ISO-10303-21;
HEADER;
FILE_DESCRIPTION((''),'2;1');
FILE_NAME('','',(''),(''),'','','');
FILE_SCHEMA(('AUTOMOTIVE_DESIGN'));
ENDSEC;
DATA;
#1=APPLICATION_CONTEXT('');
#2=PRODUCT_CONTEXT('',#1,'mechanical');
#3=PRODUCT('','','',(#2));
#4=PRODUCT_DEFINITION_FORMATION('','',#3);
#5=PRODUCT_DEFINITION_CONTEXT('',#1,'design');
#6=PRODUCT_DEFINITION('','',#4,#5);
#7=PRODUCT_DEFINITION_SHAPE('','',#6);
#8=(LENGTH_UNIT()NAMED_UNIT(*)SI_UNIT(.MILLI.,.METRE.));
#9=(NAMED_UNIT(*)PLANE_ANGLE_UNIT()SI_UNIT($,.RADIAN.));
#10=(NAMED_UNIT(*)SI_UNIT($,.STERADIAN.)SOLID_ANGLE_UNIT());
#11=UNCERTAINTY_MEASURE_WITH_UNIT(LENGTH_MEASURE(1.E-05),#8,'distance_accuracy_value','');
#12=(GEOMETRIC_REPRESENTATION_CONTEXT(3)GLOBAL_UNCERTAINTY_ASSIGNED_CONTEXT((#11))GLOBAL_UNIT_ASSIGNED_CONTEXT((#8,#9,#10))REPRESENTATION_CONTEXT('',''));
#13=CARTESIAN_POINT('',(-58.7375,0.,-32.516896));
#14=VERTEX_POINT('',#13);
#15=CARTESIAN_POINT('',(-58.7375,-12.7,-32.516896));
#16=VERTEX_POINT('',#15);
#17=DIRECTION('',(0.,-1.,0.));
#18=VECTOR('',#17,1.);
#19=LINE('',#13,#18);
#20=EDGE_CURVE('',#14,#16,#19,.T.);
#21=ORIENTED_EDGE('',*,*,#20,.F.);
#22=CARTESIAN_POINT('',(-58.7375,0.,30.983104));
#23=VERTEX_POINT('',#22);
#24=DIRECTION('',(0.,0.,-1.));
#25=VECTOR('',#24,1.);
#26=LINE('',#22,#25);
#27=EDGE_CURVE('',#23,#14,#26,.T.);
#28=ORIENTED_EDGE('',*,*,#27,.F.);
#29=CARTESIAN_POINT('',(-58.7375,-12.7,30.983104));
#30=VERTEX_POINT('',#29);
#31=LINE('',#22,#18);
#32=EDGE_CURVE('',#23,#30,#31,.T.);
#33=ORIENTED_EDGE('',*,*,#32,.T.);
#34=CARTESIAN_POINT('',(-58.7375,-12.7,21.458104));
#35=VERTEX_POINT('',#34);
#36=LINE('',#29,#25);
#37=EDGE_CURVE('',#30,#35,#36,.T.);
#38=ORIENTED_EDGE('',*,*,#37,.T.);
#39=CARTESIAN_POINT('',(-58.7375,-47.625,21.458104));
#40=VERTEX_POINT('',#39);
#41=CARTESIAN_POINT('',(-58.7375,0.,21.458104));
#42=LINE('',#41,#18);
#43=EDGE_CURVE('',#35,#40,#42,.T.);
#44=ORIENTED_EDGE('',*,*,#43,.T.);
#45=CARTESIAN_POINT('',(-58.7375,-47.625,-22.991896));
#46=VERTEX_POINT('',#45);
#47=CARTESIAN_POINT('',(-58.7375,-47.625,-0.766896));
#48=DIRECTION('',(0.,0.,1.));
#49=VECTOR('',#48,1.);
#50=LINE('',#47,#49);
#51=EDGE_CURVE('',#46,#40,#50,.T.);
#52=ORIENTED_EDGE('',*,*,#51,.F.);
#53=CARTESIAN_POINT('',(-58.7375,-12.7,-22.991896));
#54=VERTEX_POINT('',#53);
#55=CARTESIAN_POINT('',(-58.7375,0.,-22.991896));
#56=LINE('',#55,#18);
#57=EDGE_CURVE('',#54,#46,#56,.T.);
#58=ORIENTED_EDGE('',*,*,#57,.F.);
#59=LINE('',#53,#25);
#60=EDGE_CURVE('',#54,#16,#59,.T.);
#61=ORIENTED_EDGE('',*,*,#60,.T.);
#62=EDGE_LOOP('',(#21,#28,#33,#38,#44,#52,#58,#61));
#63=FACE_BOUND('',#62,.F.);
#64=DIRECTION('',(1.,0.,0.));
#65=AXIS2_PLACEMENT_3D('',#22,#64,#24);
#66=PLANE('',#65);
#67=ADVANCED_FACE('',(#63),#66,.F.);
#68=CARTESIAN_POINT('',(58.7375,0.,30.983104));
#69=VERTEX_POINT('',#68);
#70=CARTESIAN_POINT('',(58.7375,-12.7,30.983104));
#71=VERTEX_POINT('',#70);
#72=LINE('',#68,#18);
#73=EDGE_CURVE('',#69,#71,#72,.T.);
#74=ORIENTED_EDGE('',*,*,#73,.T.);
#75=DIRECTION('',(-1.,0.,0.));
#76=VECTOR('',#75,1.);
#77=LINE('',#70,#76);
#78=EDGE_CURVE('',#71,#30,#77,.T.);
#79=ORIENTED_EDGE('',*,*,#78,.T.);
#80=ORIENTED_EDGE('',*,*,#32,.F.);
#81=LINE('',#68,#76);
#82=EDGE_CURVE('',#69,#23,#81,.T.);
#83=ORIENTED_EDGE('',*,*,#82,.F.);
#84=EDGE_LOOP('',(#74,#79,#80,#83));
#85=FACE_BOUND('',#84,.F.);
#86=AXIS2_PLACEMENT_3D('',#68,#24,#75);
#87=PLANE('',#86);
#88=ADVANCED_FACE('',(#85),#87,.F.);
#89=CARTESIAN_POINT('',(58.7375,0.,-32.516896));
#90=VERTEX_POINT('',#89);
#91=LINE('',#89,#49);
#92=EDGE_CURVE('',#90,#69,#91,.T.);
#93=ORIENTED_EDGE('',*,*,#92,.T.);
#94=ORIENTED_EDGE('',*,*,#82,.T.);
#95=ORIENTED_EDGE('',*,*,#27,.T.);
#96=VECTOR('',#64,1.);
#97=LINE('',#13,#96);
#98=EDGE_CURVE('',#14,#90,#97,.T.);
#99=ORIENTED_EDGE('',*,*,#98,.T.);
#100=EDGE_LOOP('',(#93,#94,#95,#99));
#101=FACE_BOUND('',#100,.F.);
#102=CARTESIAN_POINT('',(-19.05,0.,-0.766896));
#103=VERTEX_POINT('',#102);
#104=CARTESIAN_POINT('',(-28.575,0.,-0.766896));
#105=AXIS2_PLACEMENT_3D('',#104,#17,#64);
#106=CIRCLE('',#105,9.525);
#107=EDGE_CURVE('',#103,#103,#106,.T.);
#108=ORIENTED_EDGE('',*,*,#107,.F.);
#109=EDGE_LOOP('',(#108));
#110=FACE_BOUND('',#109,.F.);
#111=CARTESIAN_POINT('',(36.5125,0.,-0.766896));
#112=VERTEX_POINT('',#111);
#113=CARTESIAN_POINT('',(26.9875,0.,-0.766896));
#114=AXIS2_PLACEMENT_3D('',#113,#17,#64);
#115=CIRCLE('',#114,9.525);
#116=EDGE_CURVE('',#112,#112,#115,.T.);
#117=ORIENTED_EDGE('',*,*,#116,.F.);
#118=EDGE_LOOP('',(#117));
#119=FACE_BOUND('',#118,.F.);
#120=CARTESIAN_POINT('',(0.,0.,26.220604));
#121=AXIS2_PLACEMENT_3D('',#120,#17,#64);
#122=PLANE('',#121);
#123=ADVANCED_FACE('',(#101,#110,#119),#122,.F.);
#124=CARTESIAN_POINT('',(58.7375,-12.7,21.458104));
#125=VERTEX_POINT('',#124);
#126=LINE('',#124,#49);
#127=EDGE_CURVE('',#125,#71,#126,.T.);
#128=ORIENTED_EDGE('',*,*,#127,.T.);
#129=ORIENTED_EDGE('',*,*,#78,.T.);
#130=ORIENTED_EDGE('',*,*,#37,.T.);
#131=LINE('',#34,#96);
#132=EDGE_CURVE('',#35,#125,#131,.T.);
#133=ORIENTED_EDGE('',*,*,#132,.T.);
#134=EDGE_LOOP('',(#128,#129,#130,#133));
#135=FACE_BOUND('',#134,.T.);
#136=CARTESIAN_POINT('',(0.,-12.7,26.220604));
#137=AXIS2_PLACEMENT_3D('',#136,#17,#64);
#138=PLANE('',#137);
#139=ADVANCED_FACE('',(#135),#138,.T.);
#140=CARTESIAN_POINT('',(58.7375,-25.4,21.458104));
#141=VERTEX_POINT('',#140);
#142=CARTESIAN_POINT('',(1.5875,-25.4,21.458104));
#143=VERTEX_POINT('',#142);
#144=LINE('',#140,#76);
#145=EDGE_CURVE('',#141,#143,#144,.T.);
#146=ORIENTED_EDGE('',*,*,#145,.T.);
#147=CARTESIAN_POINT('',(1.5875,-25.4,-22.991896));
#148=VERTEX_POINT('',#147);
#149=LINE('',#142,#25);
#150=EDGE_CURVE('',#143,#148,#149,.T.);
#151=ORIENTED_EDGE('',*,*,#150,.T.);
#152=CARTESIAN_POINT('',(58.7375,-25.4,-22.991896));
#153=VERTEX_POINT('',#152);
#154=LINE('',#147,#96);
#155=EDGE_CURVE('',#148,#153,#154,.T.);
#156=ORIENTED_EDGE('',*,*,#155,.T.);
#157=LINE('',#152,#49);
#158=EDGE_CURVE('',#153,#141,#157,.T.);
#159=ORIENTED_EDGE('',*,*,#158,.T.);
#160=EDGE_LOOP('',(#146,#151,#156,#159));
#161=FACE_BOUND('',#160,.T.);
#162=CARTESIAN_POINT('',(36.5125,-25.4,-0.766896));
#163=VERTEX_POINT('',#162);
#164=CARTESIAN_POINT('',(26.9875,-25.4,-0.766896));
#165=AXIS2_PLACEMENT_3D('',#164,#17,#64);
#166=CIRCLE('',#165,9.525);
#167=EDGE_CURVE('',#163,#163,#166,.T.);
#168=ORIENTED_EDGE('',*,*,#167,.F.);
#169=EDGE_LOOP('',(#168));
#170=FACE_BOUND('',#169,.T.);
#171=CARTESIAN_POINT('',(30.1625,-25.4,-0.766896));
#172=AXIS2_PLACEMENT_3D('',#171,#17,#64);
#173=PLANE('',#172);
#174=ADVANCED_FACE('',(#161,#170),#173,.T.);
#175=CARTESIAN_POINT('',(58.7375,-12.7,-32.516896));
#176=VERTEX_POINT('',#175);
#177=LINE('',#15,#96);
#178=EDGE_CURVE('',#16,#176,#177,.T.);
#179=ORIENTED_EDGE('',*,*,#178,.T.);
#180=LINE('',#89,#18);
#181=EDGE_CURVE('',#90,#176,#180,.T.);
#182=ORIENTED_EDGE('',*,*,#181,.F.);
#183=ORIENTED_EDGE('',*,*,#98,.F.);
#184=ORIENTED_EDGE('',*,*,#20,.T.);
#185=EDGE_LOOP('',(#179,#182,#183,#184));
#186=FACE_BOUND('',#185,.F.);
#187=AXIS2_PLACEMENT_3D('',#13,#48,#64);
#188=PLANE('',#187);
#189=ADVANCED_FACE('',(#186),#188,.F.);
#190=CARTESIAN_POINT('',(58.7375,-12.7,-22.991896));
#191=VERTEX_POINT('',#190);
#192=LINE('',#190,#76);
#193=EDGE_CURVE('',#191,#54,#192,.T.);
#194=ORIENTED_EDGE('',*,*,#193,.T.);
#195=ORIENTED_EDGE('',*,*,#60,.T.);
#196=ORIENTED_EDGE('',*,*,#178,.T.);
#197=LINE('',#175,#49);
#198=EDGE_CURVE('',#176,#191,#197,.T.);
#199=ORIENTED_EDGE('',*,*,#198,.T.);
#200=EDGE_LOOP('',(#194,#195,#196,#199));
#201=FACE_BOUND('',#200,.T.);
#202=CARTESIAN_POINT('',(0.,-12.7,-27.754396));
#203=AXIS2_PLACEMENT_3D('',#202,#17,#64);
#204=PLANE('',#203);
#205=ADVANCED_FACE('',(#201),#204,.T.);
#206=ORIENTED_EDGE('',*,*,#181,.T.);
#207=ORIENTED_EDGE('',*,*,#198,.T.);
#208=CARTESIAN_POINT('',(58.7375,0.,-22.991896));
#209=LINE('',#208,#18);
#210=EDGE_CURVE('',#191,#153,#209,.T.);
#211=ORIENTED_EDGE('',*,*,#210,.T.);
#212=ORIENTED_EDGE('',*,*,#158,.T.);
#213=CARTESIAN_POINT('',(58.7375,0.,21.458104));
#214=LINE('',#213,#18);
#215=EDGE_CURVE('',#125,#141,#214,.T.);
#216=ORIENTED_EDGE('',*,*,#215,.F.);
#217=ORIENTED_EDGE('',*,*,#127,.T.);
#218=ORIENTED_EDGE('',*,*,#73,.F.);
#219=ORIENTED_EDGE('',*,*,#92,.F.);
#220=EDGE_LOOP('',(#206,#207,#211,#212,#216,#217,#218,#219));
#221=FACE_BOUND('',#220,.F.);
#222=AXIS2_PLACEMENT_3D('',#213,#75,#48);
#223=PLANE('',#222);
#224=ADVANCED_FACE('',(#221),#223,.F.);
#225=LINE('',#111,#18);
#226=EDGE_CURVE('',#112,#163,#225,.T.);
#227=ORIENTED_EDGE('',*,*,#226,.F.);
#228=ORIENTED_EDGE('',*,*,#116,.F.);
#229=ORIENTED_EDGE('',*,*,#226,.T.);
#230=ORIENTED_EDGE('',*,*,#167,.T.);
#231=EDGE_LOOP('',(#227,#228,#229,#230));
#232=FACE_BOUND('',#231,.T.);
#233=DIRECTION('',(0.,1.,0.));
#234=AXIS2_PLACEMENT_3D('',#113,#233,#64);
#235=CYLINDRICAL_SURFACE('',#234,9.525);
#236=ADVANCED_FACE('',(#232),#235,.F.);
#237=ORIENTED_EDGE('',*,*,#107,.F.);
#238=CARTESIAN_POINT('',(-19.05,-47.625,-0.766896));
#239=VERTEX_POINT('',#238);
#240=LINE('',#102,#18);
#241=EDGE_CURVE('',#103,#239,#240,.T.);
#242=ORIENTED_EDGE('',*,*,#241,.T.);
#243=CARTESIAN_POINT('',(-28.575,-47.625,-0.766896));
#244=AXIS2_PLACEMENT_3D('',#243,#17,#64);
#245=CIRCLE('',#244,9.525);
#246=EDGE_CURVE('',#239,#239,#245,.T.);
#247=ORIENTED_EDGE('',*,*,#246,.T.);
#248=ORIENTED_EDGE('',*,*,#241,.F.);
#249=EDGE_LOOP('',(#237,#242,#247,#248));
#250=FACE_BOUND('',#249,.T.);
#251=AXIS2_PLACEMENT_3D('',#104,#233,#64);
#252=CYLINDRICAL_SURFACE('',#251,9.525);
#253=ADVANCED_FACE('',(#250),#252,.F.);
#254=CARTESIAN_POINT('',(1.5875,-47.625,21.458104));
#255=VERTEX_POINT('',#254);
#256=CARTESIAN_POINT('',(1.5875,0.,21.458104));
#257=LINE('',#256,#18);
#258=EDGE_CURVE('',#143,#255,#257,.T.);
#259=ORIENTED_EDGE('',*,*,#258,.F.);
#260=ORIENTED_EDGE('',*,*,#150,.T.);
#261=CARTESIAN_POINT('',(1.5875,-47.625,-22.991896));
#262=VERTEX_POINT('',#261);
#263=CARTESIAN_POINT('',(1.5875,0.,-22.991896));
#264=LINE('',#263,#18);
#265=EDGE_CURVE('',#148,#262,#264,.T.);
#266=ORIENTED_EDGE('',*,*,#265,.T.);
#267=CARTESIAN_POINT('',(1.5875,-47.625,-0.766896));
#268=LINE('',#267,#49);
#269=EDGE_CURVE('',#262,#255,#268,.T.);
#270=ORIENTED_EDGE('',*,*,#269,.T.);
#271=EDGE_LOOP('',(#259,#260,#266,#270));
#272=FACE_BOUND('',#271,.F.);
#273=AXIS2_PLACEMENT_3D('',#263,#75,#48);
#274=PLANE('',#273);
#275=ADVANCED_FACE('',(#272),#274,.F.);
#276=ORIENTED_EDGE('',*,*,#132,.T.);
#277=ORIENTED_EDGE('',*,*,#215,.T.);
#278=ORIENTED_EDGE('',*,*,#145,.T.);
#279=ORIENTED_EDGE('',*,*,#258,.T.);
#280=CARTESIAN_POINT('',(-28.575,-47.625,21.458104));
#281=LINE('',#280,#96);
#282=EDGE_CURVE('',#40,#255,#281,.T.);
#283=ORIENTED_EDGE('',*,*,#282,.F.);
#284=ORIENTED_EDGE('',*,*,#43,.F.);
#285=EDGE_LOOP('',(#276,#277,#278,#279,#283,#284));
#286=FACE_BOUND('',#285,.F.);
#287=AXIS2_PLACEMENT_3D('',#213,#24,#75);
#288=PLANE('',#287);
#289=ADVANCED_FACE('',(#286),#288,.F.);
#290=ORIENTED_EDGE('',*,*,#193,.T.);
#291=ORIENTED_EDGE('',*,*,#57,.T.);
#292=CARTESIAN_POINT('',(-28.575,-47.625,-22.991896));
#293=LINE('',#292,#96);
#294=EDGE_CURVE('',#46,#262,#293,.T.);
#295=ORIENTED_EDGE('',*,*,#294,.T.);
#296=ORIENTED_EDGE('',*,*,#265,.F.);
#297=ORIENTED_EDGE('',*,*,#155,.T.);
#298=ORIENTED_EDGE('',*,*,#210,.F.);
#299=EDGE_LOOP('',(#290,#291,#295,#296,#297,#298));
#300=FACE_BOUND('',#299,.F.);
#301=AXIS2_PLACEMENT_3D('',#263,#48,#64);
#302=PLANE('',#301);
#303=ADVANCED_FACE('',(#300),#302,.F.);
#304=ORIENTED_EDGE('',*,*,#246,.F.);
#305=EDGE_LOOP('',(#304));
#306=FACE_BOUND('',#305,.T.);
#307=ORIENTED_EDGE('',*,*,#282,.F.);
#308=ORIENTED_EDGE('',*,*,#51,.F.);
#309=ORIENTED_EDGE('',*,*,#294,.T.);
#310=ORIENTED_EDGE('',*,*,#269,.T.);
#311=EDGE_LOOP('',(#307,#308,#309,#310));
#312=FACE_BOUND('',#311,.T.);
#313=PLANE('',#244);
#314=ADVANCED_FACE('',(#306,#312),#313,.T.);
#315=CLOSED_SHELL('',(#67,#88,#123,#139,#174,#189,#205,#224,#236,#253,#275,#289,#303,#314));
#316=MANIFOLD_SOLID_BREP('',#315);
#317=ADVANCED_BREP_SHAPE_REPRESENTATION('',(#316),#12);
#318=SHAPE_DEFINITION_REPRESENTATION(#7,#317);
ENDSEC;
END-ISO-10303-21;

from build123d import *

# Parameters (mm, degrees)
F0_W     = 60.325
F0_H     = 44.45
F0_R     = 9.525
F1_DEPTH = 47.625
F2_DEPTH = 25.4
F3_DEPTH = 12.7


with BuildPart() as f1:
    # F0 (on Front) → F1 (new body)
    with BuildSketch(Plane.XZ):
        with Locations((-28.575, -0.766896)):
            Rectangle(F0_W, F0_H)
        with Locations((-28.575, -0.766896)):
            Circle(F0_R, mode=Mode.SUBTRACT)
    extrude(amount=F1_DEPTH)

    # F0 (on Front) → F2 (join)
    with BuildSketch(Plane.XZ):
        Polygon((58.7375, -22.991896), (58.7375, 21.458104), (26.9875, 21.458104), (1.5875, 21.458104), (1.5875, -22.991896), align=None)
        with Locations((26.9875, -0.766896)):
            Circle(F0_R, mode=Mode.SUBTRACT)
    extrude(amount=F2_DEPTH)

    # F0 (on Front) → F3 (join)
    with BuildSketch(Plane.XZ):
        Polygon((58.7375, 30.983104), (-58.7375, 30.983104), (-58.7375, 21.458104), (1.5875, 21.458104), (26.9875, 21.458104), (58.7375, 21.458104), align=None)
        Polygon((1.5875, -22.991896), (-58.7375, -22.991896), (-58.7375, -32.516896), (58.7375, -32.516896), (58.7375, -22.991896), align=None)
    extrude(amount=F3_DEPTH)


solid = f1.part
